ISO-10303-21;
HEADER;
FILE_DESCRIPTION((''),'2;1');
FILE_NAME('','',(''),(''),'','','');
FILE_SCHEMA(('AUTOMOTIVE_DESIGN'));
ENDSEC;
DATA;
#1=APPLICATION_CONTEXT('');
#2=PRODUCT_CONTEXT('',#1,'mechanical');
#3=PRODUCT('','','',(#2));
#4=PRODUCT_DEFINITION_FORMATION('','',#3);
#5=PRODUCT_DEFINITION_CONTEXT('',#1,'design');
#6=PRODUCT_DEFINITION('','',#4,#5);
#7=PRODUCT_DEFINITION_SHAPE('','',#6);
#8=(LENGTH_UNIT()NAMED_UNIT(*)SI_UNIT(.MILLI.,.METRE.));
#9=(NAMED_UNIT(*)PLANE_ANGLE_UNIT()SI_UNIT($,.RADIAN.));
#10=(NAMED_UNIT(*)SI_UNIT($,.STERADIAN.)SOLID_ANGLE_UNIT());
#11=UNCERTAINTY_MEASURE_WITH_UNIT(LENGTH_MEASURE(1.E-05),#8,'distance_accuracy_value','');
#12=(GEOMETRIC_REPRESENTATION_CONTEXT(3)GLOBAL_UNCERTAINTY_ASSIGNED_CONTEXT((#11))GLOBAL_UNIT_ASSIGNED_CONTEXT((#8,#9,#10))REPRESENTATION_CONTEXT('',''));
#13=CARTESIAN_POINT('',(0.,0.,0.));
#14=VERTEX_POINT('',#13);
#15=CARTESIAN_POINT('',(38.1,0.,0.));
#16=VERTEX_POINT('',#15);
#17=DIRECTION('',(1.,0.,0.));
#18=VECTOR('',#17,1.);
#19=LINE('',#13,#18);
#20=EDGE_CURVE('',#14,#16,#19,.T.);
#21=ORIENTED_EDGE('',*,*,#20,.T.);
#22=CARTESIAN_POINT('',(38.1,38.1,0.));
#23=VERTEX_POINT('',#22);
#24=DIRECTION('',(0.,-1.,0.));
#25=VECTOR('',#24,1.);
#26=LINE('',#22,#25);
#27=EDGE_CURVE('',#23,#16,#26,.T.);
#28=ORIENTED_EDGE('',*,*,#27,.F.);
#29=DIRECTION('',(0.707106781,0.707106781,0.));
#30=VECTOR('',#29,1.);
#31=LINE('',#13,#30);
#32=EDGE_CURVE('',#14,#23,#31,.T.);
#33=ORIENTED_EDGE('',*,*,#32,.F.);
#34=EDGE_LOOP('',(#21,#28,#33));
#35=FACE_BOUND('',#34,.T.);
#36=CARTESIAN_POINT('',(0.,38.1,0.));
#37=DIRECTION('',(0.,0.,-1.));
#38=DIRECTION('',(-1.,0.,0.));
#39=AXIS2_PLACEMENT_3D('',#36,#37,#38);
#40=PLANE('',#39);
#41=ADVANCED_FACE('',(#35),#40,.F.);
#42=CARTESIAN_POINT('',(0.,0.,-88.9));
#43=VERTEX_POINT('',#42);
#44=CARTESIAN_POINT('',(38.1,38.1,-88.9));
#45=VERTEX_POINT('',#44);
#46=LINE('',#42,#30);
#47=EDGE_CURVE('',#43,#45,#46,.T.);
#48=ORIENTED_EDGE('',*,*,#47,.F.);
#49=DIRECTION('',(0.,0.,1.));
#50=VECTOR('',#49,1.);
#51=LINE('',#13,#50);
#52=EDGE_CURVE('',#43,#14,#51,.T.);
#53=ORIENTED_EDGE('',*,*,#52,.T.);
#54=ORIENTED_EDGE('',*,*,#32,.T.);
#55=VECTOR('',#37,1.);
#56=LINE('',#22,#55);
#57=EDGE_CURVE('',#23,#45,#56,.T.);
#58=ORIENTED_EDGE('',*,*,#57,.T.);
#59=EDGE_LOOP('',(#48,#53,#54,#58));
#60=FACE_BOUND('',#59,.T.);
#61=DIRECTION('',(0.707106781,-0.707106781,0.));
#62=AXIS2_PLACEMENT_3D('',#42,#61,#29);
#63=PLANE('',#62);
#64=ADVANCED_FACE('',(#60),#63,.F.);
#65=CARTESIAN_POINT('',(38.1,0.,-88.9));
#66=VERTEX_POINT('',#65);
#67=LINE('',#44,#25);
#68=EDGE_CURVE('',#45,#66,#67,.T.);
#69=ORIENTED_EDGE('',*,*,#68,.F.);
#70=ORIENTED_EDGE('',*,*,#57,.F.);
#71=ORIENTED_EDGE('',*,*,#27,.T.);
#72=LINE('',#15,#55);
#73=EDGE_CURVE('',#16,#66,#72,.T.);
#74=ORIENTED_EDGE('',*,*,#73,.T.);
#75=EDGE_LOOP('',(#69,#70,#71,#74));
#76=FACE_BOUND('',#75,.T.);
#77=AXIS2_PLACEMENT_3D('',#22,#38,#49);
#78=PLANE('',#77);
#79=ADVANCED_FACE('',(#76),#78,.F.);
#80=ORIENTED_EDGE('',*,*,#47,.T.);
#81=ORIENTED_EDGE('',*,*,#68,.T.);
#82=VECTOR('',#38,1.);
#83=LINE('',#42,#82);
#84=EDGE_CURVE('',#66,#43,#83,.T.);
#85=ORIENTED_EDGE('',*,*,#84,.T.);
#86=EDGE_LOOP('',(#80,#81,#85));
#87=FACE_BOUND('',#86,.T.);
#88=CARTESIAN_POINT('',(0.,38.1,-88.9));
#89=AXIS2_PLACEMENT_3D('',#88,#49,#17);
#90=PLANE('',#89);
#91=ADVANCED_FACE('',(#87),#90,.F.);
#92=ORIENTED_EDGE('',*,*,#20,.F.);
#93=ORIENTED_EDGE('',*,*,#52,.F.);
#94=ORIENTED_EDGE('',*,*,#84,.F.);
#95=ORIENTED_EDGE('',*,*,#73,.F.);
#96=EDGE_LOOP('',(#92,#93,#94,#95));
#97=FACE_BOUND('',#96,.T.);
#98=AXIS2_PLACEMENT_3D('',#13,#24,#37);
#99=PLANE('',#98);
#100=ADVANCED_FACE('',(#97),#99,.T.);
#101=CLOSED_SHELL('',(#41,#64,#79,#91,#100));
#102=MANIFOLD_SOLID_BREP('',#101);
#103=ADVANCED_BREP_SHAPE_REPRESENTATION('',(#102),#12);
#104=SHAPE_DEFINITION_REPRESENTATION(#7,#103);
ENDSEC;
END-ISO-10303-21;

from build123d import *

# Parameters (mm, degrees)
SKETCH1_W           = 38.1
SKETCH1_H           = 88.9
BOSS_EXTRUDE1_DEPTH = 38.1
CUT_EXTRUDE1_DEPTH  = 89.9


with BuildPart() as part:
    # Sketch1 → Boss-Extrude1 (new body)
    with BuildSketch(Plane(origin=(0, 0, 0), x_dir=(1, 0, 0), z_dir=(0, 1, 0))):
        with Locations((19.05, 44.45)):
            Rectangle(SKETCH1_W, SKETCH1_H)
    extrude(amount=BOSS_EXTRUDE1_DEPTH)

    # Sketch2 → Cut-Extrude1 (cut, through all)
    with BuildSketch(Plane.XY):
        Polygon((0, 0), (38.1, 38.1), (0, 38.1), align=None)
    extrude(amount=-CUT_EXTRUDE1_DEPTH, mode=Mode.SUBTRACT)


solid = part.part
